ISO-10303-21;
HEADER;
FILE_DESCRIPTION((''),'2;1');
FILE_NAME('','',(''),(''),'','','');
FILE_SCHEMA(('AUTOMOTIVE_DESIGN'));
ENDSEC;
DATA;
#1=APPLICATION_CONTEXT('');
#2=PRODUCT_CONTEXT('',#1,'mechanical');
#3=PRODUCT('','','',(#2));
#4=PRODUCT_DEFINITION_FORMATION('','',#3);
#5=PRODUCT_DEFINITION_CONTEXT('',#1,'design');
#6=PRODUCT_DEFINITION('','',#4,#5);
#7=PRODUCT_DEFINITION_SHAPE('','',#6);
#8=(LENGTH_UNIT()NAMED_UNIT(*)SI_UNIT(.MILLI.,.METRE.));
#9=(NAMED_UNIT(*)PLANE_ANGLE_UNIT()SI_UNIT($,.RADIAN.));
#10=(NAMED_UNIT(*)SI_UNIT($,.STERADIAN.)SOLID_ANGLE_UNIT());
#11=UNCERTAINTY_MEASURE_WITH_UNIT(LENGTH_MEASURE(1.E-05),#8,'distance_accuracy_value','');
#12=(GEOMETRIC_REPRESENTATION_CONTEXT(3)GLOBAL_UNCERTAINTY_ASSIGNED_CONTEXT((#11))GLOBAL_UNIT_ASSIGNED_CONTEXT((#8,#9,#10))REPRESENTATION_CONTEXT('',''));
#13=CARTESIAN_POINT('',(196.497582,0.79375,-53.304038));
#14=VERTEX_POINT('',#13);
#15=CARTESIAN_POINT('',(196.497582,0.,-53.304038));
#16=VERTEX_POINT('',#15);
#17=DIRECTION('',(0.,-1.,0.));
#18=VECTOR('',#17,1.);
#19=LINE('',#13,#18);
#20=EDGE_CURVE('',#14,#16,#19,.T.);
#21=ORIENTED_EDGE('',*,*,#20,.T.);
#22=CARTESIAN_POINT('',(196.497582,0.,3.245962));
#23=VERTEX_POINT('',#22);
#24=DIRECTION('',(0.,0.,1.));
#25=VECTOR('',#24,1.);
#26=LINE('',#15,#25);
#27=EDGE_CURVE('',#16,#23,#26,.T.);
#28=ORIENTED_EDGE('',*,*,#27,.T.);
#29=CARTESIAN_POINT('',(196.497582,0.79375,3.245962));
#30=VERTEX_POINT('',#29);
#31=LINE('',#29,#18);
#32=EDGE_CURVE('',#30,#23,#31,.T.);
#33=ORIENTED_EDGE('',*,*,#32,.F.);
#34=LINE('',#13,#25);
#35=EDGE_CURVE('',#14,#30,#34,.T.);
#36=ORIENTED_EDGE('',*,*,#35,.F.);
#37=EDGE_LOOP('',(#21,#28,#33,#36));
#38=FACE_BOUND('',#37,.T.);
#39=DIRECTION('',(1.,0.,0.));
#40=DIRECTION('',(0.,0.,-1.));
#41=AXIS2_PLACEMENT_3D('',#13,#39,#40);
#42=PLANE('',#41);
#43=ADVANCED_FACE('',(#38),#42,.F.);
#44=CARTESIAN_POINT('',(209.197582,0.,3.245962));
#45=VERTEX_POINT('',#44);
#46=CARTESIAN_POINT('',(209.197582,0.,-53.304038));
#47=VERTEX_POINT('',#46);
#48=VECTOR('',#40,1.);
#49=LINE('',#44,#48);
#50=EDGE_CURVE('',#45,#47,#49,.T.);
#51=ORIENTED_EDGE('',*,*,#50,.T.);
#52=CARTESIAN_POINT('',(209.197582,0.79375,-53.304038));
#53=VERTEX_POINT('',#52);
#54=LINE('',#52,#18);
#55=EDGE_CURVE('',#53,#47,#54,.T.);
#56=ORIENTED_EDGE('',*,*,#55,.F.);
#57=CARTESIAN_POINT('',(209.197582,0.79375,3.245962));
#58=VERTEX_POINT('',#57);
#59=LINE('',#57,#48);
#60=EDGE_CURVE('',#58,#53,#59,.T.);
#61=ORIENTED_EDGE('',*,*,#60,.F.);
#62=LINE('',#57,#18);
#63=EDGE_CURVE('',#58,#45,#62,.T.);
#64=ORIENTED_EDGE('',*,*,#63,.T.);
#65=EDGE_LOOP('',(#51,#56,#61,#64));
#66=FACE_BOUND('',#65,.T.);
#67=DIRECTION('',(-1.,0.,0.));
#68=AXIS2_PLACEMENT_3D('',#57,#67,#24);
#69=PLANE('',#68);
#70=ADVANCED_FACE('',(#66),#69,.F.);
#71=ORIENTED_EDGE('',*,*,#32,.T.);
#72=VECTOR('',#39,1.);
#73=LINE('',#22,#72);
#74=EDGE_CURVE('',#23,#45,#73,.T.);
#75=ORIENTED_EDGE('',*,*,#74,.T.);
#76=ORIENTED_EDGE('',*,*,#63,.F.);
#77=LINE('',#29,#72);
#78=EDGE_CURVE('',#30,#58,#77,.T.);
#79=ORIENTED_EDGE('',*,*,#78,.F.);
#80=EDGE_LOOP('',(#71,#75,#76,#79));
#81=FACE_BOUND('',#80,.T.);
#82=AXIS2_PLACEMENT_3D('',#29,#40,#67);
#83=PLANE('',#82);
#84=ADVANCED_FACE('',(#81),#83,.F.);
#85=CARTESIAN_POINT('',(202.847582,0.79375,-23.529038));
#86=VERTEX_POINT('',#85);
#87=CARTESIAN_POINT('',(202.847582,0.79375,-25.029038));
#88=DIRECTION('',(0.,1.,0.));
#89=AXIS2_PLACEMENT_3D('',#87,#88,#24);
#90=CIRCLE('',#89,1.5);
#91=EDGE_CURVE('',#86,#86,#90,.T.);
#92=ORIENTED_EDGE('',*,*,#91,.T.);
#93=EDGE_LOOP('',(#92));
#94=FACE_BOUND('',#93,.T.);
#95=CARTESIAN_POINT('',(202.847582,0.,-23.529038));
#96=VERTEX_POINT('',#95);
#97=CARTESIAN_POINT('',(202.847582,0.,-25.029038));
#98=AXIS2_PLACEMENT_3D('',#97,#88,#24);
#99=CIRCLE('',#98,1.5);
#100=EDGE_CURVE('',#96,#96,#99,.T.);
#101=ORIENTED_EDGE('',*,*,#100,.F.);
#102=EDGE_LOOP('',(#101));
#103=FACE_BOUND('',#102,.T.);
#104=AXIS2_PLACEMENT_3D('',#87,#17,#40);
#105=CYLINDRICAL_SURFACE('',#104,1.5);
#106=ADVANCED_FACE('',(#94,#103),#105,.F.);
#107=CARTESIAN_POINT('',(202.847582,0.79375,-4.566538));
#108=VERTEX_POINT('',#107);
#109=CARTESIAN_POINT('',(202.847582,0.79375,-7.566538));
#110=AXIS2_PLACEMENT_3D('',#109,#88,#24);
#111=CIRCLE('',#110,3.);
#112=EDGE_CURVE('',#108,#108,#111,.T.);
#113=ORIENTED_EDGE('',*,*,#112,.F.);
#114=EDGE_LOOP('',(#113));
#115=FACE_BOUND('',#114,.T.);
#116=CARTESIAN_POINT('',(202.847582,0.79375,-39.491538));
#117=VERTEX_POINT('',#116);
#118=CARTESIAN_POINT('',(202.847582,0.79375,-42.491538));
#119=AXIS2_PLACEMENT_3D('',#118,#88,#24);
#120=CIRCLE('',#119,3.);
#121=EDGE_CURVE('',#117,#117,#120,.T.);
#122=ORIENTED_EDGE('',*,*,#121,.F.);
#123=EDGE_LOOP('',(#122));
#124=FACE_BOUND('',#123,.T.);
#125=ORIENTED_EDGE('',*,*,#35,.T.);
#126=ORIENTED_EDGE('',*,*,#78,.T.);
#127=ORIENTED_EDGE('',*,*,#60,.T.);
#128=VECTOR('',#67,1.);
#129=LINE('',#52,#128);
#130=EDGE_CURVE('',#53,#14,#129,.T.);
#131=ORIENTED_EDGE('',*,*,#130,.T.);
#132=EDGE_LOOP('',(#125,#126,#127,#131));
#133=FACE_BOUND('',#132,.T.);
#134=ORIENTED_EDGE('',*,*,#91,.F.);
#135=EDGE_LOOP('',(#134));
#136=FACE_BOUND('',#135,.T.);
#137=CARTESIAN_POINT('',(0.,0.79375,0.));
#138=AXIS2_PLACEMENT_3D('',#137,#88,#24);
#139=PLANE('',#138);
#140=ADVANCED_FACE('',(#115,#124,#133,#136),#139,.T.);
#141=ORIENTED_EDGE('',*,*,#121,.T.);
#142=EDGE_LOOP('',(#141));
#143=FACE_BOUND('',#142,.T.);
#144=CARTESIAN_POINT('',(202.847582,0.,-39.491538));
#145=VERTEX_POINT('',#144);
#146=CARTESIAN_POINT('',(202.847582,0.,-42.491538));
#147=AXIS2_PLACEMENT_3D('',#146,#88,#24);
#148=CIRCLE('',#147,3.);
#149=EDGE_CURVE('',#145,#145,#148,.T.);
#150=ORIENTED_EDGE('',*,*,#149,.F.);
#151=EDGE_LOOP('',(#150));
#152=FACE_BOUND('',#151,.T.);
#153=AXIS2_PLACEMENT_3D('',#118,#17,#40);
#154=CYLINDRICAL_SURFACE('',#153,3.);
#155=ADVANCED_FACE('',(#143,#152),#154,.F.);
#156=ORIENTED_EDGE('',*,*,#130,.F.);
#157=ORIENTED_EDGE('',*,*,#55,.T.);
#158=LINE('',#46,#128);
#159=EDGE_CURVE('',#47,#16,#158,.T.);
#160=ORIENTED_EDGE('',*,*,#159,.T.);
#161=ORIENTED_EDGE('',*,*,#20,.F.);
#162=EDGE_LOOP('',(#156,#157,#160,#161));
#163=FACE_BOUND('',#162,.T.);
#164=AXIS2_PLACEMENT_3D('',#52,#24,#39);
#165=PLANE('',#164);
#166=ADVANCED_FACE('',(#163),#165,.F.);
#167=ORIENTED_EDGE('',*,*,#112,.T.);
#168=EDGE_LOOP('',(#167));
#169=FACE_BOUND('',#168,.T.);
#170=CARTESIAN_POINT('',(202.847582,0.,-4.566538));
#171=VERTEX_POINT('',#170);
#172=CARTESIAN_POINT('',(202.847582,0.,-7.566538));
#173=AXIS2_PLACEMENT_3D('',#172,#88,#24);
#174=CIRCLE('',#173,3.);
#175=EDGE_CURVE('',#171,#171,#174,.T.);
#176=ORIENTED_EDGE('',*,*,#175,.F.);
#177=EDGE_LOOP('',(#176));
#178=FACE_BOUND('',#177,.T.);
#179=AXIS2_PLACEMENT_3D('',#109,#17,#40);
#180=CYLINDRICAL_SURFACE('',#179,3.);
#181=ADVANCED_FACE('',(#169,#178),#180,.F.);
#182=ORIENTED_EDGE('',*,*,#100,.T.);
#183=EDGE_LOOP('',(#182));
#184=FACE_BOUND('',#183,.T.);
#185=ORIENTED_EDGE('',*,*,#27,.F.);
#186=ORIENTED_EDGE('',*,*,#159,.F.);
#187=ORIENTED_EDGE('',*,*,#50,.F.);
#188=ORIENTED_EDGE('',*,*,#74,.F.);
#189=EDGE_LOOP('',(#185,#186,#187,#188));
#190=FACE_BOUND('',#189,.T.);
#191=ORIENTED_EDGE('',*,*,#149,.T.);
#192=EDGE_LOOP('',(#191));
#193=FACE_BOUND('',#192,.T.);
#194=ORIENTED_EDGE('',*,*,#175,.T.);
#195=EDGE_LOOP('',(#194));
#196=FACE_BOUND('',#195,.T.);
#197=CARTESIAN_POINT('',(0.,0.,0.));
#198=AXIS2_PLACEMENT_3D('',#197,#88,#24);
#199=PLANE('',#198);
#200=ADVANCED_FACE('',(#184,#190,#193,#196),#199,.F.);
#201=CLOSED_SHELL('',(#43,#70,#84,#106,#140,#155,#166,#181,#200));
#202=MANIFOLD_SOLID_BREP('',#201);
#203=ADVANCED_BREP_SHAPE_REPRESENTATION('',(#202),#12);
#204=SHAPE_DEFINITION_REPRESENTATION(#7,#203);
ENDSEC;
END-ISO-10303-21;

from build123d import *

# Parameters (mm, degrees)
SKETCH1_W           = 12.7
SKETCH1_H           = 56.55
SKETCH1_R           = 3
SKETCH1_R_2         = 1.5
BOSS_EXTRUDE1_DEPTH = 0.79375


with BuildPart() as part:
    # Sketch1 → Boss-Extrude1 (new body)
    with BuildSketch(Plane(origin=(0, 0, 0), x_dir=(1, 0, 0), z_dir=(0, 1, 0))):
        with Locations((202.847582207, 25.029038276)):
            Rectangle(SKETCH1_W, SKETCH1_H)
        with Locations(Location((202.847582207, 7.566538276, 0), (0, 0, 270))):
            Circle(SKETCH1_R, mode=Mode.SUBTRACT)
        with Locations(Location((202.847582207, 25.029038276, 0), (0, 0, 270))):
            Circle(SKETCH1_R_2, mode=Mode.SUBTRACT)
        with Locations(Location((202.847582207, 42.491538276, 0), (0, 0, 270))):
            Circle(SKETCH1_R, mode=Mode.SUBTRACT)
    extrude(amount=BOSS_EXTRUDE1_DEPTH)


solid = part.part
